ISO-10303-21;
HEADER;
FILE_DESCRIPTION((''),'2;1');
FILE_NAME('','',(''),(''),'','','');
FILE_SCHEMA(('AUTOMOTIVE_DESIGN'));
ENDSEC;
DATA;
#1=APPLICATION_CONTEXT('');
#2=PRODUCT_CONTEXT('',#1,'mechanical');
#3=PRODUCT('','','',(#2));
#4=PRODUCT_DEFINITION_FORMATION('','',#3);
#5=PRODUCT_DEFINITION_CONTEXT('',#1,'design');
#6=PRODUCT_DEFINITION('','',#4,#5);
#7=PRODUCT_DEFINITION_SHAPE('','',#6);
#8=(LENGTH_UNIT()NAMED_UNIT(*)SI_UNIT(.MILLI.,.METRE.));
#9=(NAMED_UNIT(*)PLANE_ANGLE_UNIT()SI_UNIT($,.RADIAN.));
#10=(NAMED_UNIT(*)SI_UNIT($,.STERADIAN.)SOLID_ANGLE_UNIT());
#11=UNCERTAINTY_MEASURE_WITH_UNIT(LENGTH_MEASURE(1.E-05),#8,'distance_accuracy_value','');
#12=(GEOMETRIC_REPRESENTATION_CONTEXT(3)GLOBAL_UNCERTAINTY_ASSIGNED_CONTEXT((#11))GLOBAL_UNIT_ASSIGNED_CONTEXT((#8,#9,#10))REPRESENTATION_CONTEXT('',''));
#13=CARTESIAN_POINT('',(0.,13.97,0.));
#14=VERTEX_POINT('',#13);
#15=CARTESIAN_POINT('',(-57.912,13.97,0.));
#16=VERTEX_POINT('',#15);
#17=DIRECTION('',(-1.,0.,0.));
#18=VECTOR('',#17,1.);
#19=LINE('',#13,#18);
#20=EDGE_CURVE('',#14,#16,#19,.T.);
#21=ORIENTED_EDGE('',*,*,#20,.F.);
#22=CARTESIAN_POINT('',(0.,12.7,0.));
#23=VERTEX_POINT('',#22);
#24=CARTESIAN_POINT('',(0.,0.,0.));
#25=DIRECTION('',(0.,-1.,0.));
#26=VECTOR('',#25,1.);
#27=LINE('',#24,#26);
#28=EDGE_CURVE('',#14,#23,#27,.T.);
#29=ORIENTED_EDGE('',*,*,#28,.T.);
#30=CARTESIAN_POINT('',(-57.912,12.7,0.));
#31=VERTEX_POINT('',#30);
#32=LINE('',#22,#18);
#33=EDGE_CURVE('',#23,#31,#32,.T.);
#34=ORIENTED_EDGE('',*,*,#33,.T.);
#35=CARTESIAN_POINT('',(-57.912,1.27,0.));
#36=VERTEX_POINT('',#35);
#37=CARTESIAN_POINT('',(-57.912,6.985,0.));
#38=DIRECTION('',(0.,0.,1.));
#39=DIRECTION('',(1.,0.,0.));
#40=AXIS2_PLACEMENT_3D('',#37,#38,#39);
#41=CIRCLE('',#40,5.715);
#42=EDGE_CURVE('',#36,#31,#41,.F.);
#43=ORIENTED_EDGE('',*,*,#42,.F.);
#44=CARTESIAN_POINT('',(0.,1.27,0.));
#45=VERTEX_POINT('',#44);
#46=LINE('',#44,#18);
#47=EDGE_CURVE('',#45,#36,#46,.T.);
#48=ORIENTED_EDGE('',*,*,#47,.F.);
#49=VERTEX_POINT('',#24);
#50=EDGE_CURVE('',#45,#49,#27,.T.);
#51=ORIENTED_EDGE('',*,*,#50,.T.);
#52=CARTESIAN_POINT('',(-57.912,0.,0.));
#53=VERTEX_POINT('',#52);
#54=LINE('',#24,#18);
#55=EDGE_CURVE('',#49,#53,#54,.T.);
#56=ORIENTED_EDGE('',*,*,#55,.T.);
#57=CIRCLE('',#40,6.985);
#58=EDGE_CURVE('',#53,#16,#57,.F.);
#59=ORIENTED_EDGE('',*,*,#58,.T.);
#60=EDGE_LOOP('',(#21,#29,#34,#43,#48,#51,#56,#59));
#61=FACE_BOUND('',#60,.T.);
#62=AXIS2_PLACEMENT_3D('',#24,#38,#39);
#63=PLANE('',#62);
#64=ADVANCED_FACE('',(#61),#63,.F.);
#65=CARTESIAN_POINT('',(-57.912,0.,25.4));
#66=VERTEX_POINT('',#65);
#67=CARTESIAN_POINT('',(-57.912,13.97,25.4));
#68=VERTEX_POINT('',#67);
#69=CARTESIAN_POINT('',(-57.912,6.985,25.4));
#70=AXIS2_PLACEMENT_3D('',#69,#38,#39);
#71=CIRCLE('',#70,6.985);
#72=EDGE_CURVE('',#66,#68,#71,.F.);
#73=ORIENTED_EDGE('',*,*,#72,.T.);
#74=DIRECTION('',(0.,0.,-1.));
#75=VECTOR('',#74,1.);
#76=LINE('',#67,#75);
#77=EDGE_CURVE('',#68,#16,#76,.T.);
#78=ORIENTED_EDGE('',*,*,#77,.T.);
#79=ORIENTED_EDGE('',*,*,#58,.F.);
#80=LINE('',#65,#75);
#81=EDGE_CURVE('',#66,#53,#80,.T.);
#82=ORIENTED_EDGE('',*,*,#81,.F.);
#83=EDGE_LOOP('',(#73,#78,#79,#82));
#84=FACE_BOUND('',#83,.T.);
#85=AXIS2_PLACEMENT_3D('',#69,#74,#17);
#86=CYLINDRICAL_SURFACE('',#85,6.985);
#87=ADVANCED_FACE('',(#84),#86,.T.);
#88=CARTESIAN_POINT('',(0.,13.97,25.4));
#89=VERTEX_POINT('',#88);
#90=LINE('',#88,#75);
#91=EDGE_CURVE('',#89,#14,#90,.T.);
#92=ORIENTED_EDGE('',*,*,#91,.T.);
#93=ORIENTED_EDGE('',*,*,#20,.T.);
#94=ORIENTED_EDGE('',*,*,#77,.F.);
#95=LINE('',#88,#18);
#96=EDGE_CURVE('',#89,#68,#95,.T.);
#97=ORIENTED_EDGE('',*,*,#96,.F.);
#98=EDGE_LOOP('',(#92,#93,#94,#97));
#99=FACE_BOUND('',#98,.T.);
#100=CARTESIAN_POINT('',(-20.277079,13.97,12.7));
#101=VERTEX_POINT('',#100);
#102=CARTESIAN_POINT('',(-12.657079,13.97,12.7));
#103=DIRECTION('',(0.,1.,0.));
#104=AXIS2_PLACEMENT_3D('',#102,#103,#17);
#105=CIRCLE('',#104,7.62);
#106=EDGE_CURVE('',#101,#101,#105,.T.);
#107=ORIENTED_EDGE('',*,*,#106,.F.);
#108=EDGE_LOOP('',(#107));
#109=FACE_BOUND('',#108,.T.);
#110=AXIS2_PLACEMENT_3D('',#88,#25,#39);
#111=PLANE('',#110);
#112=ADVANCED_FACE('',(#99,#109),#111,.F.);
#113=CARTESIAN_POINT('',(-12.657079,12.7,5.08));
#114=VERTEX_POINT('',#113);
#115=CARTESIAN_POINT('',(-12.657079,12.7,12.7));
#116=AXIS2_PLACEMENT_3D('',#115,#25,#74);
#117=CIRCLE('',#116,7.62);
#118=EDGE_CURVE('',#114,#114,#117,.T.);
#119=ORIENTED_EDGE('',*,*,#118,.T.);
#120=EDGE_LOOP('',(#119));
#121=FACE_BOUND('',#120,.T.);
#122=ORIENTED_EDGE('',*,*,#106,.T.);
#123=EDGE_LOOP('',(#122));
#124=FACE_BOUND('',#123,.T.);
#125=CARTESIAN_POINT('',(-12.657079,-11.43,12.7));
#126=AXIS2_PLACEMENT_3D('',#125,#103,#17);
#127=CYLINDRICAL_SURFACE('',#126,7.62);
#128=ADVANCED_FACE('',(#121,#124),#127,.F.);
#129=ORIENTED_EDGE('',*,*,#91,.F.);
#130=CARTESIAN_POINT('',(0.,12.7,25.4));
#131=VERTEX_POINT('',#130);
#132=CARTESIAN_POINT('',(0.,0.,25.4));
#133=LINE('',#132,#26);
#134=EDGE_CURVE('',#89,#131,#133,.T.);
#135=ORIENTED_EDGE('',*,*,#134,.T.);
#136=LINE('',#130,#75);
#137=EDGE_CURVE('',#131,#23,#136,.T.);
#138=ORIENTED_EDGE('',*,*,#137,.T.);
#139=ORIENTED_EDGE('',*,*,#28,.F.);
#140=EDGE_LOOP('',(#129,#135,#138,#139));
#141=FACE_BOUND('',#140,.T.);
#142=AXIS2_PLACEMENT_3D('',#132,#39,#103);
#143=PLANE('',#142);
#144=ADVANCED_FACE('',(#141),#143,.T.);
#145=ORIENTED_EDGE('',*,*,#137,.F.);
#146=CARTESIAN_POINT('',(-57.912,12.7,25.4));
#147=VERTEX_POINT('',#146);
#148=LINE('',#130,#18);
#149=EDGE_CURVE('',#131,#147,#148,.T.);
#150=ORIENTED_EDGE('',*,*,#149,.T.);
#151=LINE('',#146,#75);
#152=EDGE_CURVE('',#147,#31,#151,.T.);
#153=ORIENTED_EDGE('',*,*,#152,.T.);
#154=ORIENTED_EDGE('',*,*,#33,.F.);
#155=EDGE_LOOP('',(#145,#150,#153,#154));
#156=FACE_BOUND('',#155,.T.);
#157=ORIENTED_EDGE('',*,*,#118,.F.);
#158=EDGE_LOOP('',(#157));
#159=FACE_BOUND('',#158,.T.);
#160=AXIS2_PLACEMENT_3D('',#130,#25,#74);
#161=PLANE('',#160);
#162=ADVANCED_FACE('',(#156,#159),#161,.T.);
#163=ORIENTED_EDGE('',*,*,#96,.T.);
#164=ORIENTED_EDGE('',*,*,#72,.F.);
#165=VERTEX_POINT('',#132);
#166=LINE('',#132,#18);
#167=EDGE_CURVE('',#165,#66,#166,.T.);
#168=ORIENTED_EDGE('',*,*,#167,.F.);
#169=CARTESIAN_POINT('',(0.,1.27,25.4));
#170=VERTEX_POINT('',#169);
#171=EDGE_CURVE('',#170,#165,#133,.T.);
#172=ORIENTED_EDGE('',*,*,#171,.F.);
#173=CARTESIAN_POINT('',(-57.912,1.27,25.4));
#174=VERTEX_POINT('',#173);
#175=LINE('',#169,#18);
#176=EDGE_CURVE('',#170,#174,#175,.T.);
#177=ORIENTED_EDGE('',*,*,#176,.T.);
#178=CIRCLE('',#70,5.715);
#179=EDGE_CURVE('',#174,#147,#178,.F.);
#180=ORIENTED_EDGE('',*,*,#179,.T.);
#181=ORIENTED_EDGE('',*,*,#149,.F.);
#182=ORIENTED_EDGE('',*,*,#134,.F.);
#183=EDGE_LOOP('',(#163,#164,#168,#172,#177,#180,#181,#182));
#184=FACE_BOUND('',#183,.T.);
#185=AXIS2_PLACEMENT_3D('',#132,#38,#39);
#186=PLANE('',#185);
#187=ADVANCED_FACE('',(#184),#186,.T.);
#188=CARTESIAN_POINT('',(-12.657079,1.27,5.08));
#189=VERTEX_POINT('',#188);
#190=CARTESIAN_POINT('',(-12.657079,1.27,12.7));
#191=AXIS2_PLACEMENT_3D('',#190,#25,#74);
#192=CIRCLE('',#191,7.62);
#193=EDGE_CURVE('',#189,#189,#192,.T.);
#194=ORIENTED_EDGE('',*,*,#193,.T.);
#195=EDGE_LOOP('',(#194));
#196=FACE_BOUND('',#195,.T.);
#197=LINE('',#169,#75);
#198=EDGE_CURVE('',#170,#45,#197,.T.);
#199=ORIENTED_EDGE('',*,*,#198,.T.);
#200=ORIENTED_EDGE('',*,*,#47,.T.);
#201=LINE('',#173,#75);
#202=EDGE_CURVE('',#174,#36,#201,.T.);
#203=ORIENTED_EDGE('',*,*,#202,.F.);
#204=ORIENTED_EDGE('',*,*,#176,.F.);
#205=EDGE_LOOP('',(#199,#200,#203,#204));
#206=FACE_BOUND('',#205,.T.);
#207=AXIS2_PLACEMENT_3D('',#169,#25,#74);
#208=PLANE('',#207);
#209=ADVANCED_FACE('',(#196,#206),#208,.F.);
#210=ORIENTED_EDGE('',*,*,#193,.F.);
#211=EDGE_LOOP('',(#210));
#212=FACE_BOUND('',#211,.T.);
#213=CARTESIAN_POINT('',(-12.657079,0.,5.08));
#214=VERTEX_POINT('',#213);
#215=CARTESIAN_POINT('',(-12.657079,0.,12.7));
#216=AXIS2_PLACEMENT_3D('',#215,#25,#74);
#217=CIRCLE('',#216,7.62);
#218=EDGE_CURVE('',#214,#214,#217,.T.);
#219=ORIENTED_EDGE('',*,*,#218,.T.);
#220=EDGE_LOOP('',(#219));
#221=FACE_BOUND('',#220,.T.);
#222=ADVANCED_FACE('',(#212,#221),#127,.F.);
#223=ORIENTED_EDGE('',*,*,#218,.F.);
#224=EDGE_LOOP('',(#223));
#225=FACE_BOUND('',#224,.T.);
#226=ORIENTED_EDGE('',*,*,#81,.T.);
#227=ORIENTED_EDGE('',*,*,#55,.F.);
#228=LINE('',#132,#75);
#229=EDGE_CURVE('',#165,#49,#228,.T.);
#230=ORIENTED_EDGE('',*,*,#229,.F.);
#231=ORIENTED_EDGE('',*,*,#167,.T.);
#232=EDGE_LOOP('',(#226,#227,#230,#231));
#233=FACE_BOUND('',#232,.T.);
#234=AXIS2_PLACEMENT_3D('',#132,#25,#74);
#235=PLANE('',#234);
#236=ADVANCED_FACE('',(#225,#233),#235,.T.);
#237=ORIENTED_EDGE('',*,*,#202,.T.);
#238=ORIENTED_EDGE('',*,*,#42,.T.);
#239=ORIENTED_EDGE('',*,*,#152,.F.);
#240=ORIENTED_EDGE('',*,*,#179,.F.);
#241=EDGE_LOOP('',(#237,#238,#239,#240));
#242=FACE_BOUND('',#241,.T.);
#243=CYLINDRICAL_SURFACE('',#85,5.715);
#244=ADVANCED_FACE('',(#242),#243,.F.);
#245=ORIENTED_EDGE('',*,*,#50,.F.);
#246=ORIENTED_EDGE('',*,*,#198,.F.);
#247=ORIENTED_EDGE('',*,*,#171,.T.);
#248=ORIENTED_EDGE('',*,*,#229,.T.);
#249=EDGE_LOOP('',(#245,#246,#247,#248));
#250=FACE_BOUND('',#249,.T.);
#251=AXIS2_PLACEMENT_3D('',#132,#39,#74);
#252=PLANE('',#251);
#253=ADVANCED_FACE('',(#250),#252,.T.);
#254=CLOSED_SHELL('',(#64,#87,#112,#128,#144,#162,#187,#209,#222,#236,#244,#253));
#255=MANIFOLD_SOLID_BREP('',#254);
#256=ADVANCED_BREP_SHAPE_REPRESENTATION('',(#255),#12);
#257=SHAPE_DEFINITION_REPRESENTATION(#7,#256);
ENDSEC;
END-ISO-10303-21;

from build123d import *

# Parameters (mm, degrees)
BOSS_EXTRUDE1_DEPTH = 25.4
SKETCH3_R           = 7.62
CUT_EXTRUDE1_DEPTH  = 25.4


with BuildPart() as part:
    # Sketch2 → Boss-Extrude1 (new body)
    with BuildSketch(Plane.XY):
        with BuildLine():
            ThreePointArc((-57.912, 0), (-64.897, 6.985), (-57.912, 13.97))
            Line((-57.912, 13.97), (0, 13.97))
            Line((0, 13.97), (0, 12.7))
            Line((0, 12.7), (-57.912, 12.7))
            ThreePointArc((-57.912, 12.7), (-63.627, 6.985), (-57.912, 1.27))
            Line((-57.912, 1.27), (0, 1.27))
            Line((0, 1.27), (0, 0))
            Line((0, 0), (-57.912, 0))
        make_face()
    extrude(amount=BOSS_EXTRUDE1_DEPTH)

    # Sketch3 → Cut-Extrude1 (cut)
    with BuildSketch(Plane(origin=(0, 13.97, 0), x_dir=(1, 0, 0), z_dir=(0, 1, 0))):
        with Locations(Location((-12.65707914, -12.7, 0), (0, 0, 180))):
            Circle(SKETCH3_R)
    extrude(amount=-CUT_EXTRUDE1_DEPTH, mode=Mode.SUBTRACT)


solid = part.part
